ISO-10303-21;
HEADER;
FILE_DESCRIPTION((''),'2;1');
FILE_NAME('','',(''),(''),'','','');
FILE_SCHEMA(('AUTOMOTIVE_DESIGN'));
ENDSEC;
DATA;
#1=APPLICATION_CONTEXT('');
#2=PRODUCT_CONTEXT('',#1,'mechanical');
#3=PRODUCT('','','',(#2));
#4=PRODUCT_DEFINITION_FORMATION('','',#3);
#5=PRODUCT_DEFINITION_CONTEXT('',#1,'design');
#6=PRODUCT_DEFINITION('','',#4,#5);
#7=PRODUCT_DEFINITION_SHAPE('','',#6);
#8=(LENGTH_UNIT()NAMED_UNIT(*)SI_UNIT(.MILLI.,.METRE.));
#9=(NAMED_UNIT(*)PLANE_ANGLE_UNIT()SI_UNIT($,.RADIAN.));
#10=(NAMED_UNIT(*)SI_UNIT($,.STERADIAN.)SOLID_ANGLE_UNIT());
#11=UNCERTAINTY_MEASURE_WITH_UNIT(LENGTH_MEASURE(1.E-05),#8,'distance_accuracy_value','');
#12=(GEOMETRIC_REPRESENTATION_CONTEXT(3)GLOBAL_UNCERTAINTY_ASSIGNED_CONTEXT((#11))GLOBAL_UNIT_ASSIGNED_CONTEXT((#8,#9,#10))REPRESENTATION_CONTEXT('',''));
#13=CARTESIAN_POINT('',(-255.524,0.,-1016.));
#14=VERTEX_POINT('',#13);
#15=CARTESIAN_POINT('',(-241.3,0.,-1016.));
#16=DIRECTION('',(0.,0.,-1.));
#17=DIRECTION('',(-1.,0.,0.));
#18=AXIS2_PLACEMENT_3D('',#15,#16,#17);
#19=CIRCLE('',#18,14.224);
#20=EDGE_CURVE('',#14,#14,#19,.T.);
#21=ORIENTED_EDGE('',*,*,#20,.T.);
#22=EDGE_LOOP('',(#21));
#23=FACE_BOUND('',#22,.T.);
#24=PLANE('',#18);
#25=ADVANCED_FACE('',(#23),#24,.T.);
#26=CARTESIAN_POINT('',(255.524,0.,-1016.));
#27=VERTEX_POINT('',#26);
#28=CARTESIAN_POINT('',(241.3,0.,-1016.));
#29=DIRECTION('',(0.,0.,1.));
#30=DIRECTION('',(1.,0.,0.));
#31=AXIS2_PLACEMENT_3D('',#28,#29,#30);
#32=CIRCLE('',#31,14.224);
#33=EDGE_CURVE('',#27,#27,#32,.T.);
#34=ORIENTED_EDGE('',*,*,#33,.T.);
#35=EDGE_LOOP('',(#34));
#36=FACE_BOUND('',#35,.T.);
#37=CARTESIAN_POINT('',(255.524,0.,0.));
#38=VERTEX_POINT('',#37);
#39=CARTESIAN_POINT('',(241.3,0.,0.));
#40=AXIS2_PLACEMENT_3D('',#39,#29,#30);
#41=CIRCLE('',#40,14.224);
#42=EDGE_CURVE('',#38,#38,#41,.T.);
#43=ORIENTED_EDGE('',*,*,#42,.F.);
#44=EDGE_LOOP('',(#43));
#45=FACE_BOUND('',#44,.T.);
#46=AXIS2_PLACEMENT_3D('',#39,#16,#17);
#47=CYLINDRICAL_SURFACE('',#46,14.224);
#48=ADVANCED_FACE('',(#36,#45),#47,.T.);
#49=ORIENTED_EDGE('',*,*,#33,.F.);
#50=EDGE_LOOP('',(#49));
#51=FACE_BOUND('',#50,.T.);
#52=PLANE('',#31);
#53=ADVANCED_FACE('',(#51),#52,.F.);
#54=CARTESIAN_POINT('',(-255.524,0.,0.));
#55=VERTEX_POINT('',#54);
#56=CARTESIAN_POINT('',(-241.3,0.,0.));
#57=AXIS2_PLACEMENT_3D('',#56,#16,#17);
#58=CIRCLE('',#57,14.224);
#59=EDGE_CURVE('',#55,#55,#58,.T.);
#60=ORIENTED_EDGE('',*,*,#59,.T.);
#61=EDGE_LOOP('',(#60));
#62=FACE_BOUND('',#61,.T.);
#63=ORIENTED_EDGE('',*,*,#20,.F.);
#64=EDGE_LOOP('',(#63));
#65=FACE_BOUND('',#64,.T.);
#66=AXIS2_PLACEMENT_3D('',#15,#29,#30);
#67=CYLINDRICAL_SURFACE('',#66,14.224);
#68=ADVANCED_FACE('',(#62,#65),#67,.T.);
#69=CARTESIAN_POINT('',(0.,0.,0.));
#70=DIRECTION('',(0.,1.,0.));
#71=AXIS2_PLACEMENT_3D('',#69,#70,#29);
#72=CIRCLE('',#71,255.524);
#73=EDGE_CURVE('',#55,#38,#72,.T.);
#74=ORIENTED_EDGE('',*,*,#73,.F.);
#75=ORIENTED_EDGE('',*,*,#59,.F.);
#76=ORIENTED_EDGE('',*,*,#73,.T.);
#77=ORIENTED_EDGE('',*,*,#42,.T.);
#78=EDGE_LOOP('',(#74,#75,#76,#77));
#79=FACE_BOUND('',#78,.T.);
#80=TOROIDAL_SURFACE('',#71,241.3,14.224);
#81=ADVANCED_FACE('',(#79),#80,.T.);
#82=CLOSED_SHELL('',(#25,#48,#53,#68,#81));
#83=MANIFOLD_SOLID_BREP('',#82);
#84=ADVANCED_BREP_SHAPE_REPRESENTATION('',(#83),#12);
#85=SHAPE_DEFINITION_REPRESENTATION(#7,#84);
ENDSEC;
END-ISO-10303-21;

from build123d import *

# Parameters (mm, degrees)
SWEEP3_PROFILE_R = 14.224


with BuildPart() as part:
    # Sweep3: sweep along a path in Sketch2
    with BuildLine(Plane(origin=(0, 0, 0), x_dir=(1, 0, 0), z_dir=(0, 1, 0))) as sweep3_path:
        Line((-241.3, 1016), (-241.3, 0))
        ThreePointArc((-241.3, 0), (0, -241.3), (241.3, 0))
        Line((241.3, 0), (241.3, 1016))
    # Sweep3 profile (on start of the path) → Sweep3 (sweep)
    with BuildSketch(Plane(origin=(-241.3, 0, -1016), x_dir=(1, 0, 0), z_dir=(0, 0, 1))):
        Circle(SWEEP3_PROFILE_R)
    sweep(path=sweep3_path.line)


solid = part.part
